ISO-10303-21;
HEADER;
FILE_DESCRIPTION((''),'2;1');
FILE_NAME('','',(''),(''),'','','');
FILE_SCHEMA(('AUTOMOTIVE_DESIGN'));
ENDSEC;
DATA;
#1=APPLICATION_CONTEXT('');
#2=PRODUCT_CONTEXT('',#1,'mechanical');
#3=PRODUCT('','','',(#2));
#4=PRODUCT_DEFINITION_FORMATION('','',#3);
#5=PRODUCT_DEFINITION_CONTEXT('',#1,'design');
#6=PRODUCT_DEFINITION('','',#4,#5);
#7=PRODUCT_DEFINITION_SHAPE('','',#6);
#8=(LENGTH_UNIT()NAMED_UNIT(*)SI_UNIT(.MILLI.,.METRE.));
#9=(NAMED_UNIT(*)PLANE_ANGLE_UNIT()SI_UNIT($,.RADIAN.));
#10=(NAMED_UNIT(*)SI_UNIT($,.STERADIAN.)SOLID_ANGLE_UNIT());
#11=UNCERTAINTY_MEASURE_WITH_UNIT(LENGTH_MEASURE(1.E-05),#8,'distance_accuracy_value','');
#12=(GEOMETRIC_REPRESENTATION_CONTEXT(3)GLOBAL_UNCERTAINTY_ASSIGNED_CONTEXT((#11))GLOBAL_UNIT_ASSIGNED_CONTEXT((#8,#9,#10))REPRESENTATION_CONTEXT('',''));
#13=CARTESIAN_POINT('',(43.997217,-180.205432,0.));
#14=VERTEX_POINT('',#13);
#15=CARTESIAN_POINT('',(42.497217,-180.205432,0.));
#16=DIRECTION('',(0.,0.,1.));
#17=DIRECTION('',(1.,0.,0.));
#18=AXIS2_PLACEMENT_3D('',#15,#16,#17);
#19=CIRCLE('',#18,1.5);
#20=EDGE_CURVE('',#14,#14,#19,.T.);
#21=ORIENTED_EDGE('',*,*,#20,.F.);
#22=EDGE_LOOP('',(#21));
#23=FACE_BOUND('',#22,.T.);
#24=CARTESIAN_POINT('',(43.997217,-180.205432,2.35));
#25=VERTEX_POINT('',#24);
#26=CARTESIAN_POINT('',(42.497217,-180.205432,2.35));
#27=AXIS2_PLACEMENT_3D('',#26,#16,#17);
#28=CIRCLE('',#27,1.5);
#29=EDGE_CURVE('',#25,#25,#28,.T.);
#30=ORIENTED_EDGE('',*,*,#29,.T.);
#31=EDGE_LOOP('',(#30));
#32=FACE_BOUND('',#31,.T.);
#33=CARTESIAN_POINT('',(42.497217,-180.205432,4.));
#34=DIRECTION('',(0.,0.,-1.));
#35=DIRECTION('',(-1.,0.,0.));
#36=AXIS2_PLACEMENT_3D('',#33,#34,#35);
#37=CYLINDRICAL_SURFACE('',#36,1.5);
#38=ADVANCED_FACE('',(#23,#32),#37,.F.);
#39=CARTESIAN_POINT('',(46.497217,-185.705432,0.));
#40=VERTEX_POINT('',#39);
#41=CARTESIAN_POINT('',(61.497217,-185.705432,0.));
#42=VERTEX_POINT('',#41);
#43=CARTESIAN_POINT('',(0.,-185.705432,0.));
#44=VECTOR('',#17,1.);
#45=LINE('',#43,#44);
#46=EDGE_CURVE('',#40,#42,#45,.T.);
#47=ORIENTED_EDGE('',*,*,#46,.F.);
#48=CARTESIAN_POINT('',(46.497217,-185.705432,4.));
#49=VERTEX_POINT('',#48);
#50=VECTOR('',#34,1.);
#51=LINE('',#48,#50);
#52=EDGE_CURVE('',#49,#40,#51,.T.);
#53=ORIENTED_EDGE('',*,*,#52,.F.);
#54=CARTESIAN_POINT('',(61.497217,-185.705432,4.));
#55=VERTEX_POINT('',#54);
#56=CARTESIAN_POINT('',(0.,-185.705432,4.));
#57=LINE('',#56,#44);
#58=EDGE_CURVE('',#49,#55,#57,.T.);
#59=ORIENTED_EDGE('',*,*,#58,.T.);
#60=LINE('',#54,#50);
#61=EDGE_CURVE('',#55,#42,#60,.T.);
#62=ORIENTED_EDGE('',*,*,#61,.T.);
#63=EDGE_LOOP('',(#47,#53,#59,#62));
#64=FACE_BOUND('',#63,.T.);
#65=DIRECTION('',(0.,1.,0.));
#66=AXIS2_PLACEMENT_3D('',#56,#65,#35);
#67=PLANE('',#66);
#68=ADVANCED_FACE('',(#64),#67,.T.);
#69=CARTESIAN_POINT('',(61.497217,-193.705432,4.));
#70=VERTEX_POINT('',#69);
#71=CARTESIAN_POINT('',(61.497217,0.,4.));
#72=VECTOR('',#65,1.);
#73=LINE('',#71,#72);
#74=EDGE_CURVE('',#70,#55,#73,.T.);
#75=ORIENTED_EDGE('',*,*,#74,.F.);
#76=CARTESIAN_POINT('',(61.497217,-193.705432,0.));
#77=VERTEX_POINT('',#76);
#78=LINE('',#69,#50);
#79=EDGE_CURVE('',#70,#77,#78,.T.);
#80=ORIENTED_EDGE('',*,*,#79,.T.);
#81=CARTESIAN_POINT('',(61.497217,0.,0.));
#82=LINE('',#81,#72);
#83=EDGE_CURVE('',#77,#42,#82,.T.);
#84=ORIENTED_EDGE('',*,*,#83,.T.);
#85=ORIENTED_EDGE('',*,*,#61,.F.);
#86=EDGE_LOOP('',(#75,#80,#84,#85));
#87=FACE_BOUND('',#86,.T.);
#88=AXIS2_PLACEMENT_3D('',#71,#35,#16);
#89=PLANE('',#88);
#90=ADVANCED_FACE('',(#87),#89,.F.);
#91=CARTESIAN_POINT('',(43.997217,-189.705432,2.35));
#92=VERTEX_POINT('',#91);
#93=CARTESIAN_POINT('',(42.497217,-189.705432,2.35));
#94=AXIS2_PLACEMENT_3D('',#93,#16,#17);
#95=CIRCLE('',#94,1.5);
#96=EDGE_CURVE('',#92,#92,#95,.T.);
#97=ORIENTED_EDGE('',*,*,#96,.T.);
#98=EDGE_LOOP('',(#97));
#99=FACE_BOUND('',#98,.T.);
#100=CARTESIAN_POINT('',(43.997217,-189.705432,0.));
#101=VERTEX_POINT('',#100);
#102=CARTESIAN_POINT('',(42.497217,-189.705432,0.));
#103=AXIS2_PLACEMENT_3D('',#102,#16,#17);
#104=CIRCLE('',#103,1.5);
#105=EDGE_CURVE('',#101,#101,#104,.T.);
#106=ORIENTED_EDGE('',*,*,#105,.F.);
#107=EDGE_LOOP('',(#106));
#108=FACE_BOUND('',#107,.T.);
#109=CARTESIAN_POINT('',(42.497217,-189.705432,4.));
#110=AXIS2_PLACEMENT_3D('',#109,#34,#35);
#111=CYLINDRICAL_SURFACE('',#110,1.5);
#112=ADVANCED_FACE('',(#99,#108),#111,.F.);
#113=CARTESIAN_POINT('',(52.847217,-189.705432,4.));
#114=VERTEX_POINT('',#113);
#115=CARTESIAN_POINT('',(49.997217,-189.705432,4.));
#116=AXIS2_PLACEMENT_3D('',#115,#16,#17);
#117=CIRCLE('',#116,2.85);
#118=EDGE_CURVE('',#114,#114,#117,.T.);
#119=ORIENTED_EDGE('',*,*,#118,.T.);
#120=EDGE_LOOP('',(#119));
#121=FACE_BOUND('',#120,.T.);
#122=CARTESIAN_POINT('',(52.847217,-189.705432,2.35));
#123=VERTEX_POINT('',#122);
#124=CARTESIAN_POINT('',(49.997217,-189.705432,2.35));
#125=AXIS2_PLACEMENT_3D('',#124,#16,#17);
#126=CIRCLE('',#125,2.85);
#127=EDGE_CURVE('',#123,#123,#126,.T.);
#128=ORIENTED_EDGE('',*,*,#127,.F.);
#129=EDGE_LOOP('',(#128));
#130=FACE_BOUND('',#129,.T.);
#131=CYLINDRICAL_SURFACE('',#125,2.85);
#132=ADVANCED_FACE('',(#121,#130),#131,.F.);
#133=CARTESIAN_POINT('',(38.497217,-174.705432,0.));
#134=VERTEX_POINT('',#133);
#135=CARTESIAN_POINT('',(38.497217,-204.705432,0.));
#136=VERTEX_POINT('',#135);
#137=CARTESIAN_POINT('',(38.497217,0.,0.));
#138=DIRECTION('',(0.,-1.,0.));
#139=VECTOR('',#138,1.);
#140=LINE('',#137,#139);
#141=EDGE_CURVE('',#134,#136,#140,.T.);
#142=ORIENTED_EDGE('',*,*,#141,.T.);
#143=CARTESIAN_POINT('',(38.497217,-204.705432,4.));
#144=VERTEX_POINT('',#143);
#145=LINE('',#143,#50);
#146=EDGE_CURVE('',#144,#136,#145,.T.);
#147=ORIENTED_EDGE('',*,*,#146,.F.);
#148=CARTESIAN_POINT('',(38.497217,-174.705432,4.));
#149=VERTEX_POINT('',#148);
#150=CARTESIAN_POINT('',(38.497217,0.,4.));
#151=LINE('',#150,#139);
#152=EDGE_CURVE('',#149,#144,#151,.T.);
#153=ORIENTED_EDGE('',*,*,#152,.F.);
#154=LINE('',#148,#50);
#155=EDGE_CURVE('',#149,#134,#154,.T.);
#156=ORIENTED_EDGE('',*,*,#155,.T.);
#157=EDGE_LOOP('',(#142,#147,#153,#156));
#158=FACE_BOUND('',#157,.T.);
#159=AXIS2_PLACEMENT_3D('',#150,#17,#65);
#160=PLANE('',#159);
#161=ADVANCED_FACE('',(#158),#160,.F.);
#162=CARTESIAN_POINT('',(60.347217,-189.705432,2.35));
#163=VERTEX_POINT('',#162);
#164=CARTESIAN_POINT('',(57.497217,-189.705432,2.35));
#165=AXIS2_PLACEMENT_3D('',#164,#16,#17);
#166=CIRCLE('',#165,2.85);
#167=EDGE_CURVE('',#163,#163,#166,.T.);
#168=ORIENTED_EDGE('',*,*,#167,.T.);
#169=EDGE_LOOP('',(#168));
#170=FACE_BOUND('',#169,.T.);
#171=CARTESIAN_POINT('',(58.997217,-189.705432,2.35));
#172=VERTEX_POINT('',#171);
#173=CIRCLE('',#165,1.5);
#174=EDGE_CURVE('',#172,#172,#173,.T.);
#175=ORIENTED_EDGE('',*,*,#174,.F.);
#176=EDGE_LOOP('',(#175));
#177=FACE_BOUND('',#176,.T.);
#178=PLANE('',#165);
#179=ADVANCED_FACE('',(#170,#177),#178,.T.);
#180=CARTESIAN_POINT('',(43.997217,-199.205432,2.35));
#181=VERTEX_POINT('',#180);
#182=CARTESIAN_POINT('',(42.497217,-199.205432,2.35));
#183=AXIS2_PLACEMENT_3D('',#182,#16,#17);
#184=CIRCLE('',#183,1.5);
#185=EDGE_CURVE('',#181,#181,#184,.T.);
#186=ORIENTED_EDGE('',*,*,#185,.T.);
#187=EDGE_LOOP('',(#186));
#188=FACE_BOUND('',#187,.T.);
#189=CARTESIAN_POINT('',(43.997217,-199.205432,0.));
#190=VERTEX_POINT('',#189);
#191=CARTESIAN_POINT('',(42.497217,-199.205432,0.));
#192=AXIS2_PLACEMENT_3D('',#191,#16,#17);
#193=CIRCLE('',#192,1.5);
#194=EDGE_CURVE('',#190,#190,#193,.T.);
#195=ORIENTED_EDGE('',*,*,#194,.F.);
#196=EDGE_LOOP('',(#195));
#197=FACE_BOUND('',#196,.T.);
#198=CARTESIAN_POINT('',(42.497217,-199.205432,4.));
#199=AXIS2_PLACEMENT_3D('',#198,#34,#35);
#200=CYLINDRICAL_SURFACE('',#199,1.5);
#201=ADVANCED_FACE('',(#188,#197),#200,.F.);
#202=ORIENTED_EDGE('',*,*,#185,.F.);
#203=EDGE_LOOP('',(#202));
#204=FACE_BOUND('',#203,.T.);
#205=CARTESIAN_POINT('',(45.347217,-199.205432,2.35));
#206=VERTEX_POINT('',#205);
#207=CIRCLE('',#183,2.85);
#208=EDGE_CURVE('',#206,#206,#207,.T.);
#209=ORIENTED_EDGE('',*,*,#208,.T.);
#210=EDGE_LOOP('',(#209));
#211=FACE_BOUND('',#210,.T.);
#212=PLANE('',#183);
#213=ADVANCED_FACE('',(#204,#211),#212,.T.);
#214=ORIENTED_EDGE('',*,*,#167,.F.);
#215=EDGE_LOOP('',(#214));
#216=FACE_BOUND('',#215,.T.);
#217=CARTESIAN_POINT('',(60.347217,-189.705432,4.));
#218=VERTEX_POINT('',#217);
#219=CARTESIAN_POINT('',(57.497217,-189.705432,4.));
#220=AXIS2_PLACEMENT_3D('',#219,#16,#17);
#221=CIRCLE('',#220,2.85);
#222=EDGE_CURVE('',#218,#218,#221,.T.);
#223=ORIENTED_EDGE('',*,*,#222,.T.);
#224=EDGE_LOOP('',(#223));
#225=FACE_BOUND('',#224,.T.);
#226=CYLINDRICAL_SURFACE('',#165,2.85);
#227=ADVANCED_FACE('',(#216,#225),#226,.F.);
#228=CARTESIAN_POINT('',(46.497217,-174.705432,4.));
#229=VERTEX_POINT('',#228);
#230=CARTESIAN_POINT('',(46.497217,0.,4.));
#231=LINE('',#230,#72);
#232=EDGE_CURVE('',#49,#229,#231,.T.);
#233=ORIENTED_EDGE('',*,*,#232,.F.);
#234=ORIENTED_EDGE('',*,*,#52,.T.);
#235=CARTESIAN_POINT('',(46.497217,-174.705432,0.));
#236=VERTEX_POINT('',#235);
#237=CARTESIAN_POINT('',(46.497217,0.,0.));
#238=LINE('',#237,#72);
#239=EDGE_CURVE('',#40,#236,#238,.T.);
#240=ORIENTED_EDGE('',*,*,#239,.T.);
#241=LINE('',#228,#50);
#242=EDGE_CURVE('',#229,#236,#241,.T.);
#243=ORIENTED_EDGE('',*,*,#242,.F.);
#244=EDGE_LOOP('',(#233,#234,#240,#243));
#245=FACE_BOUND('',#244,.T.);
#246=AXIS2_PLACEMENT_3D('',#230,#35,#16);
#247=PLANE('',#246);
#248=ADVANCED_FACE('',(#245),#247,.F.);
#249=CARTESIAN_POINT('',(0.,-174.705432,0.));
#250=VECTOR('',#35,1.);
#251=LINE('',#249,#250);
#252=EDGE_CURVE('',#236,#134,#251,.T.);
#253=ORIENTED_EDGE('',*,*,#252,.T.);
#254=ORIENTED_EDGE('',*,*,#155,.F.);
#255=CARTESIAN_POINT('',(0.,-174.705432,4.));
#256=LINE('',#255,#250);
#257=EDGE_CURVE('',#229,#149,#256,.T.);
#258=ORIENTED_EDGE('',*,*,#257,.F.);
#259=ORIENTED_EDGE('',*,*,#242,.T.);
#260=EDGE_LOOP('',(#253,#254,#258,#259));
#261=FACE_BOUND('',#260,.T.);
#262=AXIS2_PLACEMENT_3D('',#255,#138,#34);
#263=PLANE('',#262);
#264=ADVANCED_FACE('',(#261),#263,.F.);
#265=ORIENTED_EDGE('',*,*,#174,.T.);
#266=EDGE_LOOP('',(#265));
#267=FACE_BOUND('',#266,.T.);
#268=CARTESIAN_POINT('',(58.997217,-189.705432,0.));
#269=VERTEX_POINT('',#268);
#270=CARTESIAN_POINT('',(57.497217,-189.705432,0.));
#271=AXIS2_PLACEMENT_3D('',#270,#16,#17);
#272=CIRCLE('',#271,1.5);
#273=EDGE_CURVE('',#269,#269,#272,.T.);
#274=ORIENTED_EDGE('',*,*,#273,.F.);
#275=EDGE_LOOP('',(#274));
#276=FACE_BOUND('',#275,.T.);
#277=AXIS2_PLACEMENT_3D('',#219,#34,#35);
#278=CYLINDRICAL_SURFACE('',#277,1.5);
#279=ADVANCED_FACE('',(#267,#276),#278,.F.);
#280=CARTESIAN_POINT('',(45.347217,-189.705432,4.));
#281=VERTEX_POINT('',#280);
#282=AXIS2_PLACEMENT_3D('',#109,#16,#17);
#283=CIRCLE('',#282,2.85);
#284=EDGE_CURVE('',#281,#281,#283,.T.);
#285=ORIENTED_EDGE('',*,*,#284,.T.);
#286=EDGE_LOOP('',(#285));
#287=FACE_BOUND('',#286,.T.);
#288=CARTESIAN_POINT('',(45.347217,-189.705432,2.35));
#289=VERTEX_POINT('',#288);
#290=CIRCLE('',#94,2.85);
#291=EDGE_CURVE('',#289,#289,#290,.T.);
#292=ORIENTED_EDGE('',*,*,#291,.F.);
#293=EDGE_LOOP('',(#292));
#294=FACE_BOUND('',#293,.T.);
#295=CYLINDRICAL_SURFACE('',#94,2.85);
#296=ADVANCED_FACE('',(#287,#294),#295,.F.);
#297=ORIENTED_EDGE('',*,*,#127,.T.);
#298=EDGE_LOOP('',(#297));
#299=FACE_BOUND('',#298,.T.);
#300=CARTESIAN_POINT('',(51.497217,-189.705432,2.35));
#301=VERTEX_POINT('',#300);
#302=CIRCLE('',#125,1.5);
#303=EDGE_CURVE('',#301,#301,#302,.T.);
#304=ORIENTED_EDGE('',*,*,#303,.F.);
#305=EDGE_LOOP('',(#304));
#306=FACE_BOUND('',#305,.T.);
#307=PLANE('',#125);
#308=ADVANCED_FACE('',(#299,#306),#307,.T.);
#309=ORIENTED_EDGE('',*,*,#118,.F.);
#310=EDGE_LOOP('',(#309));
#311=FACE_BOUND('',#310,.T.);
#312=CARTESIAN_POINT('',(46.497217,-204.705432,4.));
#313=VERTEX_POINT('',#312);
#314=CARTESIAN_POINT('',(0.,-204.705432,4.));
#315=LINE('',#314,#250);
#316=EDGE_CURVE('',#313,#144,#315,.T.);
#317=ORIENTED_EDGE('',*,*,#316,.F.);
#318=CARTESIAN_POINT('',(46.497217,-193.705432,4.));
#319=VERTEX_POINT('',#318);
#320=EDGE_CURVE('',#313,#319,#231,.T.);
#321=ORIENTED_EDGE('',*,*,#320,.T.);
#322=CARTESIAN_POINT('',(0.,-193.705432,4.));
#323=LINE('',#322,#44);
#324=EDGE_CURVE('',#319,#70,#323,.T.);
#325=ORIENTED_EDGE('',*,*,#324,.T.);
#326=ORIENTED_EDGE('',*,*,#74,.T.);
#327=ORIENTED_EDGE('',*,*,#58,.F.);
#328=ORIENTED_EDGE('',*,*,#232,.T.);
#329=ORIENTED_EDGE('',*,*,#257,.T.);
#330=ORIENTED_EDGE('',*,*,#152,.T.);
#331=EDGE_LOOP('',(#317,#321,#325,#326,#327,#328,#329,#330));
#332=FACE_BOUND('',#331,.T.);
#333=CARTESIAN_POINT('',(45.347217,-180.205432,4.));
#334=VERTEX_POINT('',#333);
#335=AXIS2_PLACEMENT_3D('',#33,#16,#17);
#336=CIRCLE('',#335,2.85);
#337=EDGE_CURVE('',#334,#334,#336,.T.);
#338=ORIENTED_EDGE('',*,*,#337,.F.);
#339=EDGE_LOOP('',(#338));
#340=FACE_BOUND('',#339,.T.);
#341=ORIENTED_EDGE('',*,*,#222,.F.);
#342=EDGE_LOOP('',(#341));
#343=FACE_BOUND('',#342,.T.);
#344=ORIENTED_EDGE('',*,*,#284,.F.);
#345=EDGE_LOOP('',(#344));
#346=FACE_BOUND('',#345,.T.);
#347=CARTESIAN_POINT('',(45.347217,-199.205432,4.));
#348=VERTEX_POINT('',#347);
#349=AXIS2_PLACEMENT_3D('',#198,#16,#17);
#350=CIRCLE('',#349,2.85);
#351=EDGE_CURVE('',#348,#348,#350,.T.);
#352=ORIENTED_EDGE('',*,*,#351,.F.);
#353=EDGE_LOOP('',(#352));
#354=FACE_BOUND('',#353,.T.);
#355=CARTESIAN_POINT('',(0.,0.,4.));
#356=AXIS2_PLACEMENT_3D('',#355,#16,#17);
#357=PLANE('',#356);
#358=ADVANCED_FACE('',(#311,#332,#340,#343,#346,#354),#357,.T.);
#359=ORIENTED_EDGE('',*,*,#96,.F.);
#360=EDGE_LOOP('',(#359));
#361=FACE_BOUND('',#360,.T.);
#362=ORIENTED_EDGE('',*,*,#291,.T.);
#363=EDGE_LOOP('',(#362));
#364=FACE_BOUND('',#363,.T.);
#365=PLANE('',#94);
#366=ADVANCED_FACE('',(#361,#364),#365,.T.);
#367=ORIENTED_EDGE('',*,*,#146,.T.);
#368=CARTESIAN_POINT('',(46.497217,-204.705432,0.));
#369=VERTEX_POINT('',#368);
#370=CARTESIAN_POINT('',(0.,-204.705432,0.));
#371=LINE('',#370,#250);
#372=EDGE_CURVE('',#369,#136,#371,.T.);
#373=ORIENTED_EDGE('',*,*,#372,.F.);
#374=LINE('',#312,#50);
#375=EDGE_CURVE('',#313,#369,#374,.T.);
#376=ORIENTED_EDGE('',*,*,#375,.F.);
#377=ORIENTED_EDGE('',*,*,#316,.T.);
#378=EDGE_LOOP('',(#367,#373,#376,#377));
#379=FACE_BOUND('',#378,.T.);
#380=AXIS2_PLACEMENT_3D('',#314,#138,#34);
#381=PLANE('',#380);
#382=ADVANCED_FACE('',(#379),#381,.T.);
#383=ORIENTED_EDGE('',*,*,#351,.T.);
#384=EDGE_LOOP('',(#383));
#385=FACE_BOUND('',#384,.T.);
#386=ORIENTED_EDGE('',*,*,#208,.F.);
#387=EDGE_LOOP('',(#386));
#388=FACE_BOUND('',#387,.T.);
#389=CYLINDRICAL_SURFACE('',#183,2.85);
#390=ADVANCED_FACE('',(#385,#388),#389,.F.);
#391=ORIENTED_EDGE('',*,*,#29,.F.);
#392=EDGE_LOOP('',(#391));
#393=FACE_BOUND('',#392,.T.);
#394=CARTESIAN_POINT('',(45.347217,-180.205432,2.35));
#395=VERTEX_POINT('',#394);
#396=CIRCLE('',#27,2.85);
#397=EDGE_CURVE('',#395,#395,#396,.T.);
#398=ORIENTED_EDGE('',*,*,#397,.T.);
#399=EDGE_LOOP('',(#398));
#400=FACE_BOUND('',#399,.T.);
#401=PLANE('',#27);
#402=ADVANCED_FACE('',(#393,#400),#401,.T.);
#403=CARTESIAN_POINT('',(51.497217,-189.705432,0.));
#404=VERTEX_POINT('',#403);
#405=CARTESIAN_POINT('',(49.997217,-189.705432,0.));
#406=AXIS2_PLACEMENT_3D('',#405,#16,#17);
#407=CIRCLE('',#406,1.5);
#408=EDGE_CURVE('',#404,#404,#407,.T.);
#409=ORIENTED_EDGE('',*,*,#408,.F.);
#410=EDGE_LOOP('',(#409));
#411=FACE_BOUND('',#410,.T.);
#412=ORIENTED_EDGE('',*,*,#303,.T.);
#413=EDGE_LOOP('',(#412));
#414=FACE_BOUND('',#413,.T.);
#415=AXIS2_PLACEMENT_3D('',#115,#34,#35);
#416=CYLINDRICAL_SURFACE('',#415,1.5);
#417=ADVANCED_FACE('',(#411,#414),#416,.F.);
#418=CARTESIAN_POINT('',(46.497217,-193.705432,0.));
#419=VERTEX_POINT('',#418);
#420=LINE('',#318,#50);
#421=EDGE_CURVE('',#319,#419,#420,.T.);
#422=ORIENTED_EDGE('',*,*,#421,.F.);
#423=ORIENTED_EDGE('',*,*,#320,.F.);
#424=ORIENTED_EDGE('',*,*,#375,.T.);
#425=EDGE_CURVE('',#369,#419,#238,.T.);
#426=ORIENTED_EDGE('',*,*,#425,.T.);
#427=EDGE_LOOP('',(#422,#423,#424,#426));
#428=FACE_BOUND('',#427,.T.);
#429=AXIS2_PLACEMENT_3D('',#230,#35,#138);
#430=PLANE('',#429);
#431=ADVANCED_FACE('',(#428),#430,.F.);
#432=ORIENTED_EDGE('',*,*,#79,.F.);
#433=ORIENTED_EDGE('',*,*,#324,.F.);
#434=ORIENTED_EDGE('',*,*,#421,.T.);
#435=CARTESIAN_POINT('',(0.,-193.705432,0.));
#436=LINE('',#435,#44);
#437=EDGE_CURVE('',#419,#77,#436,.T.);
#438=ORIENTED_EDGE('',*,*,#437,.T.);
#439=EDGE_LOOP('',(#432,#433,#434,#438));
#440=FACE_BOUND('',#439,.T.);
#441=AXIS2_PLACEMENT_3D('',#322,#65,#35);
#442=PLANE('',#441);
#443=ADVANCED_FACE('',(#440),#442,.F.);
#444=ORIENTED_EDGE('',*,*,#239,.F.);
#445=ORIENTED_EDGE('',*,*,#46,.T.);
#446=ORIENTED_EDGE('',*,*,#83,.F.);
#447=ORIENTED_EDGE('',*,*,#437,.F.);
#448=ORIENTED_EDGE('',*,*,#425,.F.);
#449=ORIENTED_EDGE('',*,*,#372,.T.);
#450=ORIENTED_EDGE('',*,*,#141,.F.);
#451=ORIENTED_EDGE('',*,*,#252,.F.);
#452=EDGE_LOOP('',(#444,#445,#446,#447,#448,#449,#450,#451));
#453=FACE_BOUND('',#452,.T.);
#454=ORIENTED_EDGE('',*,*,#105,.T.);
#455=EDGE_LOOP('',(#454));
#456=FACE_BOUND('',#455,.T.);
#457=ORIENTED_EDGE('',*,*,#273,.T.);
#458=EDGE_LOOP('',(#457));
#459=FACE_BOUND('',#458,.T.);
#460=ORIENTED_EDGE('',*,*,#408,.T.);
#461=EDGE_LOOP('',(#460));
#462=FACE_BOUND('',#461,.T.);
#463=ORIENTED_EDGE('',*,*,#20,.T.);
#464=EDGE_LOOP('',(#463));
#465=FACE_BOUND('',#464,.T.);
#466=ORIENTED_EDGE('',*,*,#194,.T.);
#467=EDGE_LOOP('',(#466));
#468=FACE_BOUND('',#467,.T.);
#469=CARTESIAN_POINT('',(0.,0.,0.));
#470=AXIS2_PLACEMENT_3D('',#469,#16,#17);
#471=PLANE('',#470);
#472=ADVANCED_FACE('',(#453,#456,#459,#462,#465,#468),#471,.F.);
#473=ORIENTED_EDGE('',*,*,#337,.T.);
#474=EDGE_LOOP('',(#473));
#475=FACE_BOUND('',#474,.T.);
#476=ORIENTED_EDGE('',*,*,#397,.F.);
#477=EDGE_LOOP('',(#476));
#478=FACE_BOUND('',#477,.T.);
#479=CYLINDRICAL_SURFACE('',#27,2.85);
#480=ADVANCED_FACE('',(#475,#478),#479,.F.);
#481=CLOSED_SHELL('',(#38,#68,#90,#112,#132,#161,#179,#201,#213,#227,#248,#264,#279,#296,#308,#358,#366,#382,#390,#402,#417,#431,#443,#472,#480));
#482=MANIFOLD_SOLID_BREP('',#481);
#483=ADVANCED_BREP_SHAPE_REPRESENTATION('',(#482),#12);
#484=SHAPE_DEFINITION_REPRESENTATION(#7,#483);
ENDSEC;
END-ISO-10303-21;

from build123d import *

# Parameters (mm, degrees)
CROQUIS2_R              = 1.5
SALIENTE_EXTRUIR1_DEPTH = 4
CROQUIS3_R              = 2.85
CORTAR_EXTRUIR1_DEPTH   = 1.65


with BuildPart() as part:
    # Croquis2 → Saliente-Extruir1 (new body)
    with BuildSketch(Plane.XY):
        Polygon((38.497217209, -204.70543153), (46.497217209, -204.70543153), (46.497217209, -193.70543153), (61.497217209, -193.70543153), (61.497217209, -185.70543153), (46.497217209, -185.70543153), (46.497217209, -174.70543153), (38.497217209, -174.70543153), align=None)
        with Locations((42.497217209, -189.70543153)):
            Circle(CROQUIS2_R, mode=Mode.SUBTRACT)
        with Locations((42.497217209, -199.20543153)):
            Circle(CROQUIS2_R, mode=Mode.SUBTRACT)
        with Locations((57.497217209, -189.70543153)):
            Circle(CROQUIS2_R, mode=Mode.SUBTRACT)
        with Locations((49.997217209, -189.70543153)):
            Circle(CROQUIS2_R, mode=Mode.SUBTRACT)
        with Locations((42.497217209, -180.20543153)):
            Circle(CROQUIS2_R, mode=Mode.SUBTRACT)
    extrude(amount=SALIENTE_EXTRUIR1_DEPTH)

    # Croquis3 → Cortar-Extruir1 (cut)
    with BuildSketch(Plane.XY.offset(4)):
        with Locations((42.497217209, -199.20543153)):
            Circle(CROQUIS3_R)
        with Locations((42.497217209, -189.70543153)):
            Circle(CROQUIS3_R)
        with Locations((42.497217209, -180.20543153)):
            Circle(CROQUIS3_R)
        with Locations((49.997217209, -189.70543153)):
            Circle(CROQUIS3_R)
        with Locations((57.497217209, -189.70543153)):
            Circle(CROQUIS3_R)
    extrude(amount=-CORTAR_EXTRUIR1_DEPTH, mode=Mode.SUBTRACT)


solid = part.part
